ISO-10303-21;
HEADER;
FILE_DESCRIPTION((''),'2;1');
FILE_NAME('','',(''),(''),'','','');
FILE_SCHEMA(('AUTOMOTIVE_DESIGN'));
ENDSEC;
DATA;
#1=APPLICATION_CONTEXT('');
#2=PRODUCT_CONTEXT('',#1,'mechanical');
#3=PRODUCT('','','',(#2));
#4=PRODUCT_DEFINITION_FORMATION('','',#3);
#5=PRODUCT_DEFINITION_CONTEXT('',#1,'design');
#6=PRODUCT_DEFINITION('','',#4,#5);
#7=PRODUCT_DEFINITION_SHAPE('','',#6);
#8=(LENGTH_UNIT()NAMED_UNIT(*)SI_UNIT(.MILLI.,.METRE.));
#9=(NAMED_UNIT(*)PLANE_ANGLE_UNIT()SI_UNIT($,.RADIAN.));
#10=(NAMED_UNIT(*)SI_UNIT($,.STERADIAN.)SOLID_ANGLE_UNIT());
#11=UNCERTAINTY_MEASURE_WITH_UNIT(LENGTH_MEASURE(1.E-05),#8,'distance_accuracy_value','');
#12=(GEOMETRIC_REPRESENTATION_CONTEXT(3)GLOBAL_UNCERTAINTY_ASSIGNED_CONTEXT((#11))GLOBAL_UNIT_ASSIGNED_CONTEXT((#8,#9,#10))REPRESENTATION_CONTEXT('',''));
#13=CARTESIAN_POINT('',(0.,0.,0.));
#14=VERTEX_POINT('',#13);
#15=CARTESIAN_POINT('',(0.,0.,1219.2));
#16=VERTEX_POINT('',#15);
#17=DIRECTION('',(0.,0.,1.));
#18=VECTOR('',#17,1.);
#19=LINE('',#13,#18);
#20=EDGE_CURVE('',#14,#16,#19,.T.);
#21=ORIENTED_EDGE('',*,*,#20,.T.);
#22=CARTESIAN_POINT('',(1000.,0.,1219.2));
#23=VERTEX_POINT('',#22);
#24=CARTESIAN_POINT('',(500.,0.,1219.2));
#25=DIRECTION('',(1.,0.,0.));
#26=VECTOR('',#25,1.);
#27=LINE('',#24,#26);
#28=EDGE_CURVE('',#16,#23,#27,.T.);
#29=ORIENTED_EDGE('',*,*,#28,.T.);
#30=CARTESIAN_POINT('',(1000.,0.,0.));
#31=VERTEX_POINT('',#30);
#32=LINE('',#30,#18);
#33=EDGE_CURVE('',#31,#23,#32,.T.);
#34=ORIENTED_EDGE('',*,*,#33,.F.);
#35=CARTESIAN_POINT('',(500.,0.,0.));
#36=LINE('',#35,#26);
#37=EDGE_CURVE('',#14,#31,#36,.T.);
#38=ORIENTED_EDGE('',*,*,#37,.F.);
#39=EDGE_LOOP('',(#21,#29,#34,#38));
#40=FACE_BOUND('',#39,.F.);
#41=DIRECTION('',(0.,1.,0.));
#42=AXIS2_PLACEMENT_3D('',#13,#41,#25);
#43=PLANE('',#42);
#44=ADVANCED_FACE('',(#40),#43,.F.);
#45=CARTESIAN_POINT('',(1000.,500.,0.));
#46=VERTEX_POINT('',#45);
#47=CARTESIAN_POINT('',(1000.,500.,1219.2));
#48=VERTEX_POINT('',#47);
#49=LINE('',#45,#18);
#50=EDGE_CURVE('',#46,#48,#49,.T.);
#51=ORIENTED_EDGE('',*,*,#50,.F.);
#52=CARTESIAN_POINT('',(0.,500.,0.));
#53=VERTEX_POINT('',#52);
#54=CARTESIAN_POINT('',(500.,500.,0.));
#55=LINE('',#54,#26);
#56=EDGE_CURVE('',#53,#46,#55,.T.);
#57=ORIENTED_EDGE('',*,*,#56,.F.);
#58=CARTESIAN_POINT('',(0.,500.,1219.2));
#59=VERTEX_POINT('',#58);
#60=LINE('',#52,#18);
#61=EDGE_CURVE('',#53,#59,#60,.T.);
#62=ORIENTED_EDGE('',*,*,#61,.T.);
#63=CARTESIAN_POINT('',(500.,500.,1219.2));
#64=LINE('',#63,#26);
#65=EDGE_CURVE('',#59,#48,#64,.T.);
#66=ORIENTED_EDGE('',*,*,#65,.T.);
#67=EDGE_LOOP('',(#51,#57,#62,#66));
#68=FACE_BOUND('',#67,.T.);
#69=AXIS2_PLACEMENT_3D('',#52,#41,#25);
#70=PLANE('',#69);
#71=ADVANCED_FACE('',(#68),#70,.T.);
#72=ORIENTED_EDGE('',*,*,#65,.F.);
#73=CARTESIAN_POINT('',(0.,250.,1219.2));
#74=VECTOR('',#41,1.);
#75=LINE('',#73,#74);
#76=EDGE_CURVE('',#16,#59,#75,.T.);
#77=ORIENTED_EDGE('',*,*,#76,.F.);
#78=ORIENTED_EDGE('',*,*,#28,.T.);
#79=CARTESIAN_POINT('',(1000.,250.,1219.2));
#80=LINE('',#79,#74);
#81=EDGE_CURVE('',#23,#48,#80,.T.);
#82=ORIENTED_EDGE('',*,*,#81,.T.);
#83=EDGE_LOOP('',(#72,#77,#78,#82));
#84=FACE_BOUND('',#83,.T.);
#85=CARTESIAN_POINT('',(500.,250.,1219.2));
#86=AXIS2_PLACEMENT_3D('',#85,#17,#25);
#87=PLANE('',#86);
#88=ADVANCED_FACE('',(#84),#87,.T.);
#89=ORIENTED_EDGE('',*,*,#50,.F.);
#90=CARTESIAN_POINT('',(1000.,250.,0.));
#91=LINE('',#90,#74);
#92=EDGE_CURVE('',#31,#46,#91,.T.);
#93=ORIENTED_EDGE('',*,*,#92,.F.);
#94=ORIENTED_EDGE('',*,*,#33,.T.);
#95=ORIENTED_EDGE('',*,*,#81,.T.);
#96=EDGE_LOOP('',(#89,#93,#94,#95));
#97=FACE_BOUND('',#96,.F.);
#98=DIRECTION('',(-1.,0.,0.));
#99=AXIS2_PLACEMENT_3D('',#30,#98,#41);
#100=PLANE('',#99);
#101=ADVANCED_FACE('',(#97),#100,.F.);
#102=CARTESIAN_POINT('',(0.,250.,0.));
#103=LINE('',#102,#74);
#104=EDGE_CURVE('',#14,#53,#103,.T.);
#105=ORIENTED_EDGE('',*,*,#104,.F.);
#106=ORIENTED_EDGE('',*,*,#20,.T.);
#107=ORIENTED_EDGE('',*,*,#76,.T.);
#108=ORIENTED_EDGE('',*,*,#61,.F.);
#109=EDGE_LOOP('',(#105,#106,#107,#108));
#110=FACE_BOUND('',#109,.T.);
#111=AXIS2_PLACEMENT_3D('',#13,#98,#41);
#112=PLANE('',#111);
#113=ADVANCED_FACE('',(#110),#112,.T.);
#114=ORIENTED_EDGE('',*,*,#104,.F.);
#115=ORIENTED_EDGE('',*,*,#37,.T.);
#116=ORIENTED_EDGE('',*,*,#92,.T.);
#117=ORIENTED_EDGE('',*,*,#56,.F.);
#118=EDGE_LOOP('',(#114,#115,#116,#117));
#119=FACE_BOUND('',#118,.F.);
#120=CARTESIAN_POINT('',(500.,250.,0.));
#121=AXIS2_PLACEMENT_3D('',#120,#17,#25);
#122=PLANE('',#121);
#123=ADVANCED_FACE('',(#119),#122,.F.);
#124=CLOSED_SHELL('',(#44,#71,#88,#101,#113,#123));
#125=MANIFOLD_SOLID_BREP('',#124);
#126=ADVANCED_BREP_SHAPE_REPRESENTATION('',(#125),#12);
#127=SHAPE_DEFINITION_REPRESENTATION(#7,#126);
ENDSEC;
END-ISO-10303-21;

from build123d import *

# Parameters (mm, degrees)
BOX_W     = 1000
BOX_H     = 500
BOX_DEPTH = 1219.2


with BuildPart() as part:
    # Box → Box (new body)
    with BuildSketch(Plane.XY):
        with Locations((500, 250)):
            Rectangle(BOX_W, BOX_H)
    extrude(amount=BOX_DEPTH)


solid = part.part
